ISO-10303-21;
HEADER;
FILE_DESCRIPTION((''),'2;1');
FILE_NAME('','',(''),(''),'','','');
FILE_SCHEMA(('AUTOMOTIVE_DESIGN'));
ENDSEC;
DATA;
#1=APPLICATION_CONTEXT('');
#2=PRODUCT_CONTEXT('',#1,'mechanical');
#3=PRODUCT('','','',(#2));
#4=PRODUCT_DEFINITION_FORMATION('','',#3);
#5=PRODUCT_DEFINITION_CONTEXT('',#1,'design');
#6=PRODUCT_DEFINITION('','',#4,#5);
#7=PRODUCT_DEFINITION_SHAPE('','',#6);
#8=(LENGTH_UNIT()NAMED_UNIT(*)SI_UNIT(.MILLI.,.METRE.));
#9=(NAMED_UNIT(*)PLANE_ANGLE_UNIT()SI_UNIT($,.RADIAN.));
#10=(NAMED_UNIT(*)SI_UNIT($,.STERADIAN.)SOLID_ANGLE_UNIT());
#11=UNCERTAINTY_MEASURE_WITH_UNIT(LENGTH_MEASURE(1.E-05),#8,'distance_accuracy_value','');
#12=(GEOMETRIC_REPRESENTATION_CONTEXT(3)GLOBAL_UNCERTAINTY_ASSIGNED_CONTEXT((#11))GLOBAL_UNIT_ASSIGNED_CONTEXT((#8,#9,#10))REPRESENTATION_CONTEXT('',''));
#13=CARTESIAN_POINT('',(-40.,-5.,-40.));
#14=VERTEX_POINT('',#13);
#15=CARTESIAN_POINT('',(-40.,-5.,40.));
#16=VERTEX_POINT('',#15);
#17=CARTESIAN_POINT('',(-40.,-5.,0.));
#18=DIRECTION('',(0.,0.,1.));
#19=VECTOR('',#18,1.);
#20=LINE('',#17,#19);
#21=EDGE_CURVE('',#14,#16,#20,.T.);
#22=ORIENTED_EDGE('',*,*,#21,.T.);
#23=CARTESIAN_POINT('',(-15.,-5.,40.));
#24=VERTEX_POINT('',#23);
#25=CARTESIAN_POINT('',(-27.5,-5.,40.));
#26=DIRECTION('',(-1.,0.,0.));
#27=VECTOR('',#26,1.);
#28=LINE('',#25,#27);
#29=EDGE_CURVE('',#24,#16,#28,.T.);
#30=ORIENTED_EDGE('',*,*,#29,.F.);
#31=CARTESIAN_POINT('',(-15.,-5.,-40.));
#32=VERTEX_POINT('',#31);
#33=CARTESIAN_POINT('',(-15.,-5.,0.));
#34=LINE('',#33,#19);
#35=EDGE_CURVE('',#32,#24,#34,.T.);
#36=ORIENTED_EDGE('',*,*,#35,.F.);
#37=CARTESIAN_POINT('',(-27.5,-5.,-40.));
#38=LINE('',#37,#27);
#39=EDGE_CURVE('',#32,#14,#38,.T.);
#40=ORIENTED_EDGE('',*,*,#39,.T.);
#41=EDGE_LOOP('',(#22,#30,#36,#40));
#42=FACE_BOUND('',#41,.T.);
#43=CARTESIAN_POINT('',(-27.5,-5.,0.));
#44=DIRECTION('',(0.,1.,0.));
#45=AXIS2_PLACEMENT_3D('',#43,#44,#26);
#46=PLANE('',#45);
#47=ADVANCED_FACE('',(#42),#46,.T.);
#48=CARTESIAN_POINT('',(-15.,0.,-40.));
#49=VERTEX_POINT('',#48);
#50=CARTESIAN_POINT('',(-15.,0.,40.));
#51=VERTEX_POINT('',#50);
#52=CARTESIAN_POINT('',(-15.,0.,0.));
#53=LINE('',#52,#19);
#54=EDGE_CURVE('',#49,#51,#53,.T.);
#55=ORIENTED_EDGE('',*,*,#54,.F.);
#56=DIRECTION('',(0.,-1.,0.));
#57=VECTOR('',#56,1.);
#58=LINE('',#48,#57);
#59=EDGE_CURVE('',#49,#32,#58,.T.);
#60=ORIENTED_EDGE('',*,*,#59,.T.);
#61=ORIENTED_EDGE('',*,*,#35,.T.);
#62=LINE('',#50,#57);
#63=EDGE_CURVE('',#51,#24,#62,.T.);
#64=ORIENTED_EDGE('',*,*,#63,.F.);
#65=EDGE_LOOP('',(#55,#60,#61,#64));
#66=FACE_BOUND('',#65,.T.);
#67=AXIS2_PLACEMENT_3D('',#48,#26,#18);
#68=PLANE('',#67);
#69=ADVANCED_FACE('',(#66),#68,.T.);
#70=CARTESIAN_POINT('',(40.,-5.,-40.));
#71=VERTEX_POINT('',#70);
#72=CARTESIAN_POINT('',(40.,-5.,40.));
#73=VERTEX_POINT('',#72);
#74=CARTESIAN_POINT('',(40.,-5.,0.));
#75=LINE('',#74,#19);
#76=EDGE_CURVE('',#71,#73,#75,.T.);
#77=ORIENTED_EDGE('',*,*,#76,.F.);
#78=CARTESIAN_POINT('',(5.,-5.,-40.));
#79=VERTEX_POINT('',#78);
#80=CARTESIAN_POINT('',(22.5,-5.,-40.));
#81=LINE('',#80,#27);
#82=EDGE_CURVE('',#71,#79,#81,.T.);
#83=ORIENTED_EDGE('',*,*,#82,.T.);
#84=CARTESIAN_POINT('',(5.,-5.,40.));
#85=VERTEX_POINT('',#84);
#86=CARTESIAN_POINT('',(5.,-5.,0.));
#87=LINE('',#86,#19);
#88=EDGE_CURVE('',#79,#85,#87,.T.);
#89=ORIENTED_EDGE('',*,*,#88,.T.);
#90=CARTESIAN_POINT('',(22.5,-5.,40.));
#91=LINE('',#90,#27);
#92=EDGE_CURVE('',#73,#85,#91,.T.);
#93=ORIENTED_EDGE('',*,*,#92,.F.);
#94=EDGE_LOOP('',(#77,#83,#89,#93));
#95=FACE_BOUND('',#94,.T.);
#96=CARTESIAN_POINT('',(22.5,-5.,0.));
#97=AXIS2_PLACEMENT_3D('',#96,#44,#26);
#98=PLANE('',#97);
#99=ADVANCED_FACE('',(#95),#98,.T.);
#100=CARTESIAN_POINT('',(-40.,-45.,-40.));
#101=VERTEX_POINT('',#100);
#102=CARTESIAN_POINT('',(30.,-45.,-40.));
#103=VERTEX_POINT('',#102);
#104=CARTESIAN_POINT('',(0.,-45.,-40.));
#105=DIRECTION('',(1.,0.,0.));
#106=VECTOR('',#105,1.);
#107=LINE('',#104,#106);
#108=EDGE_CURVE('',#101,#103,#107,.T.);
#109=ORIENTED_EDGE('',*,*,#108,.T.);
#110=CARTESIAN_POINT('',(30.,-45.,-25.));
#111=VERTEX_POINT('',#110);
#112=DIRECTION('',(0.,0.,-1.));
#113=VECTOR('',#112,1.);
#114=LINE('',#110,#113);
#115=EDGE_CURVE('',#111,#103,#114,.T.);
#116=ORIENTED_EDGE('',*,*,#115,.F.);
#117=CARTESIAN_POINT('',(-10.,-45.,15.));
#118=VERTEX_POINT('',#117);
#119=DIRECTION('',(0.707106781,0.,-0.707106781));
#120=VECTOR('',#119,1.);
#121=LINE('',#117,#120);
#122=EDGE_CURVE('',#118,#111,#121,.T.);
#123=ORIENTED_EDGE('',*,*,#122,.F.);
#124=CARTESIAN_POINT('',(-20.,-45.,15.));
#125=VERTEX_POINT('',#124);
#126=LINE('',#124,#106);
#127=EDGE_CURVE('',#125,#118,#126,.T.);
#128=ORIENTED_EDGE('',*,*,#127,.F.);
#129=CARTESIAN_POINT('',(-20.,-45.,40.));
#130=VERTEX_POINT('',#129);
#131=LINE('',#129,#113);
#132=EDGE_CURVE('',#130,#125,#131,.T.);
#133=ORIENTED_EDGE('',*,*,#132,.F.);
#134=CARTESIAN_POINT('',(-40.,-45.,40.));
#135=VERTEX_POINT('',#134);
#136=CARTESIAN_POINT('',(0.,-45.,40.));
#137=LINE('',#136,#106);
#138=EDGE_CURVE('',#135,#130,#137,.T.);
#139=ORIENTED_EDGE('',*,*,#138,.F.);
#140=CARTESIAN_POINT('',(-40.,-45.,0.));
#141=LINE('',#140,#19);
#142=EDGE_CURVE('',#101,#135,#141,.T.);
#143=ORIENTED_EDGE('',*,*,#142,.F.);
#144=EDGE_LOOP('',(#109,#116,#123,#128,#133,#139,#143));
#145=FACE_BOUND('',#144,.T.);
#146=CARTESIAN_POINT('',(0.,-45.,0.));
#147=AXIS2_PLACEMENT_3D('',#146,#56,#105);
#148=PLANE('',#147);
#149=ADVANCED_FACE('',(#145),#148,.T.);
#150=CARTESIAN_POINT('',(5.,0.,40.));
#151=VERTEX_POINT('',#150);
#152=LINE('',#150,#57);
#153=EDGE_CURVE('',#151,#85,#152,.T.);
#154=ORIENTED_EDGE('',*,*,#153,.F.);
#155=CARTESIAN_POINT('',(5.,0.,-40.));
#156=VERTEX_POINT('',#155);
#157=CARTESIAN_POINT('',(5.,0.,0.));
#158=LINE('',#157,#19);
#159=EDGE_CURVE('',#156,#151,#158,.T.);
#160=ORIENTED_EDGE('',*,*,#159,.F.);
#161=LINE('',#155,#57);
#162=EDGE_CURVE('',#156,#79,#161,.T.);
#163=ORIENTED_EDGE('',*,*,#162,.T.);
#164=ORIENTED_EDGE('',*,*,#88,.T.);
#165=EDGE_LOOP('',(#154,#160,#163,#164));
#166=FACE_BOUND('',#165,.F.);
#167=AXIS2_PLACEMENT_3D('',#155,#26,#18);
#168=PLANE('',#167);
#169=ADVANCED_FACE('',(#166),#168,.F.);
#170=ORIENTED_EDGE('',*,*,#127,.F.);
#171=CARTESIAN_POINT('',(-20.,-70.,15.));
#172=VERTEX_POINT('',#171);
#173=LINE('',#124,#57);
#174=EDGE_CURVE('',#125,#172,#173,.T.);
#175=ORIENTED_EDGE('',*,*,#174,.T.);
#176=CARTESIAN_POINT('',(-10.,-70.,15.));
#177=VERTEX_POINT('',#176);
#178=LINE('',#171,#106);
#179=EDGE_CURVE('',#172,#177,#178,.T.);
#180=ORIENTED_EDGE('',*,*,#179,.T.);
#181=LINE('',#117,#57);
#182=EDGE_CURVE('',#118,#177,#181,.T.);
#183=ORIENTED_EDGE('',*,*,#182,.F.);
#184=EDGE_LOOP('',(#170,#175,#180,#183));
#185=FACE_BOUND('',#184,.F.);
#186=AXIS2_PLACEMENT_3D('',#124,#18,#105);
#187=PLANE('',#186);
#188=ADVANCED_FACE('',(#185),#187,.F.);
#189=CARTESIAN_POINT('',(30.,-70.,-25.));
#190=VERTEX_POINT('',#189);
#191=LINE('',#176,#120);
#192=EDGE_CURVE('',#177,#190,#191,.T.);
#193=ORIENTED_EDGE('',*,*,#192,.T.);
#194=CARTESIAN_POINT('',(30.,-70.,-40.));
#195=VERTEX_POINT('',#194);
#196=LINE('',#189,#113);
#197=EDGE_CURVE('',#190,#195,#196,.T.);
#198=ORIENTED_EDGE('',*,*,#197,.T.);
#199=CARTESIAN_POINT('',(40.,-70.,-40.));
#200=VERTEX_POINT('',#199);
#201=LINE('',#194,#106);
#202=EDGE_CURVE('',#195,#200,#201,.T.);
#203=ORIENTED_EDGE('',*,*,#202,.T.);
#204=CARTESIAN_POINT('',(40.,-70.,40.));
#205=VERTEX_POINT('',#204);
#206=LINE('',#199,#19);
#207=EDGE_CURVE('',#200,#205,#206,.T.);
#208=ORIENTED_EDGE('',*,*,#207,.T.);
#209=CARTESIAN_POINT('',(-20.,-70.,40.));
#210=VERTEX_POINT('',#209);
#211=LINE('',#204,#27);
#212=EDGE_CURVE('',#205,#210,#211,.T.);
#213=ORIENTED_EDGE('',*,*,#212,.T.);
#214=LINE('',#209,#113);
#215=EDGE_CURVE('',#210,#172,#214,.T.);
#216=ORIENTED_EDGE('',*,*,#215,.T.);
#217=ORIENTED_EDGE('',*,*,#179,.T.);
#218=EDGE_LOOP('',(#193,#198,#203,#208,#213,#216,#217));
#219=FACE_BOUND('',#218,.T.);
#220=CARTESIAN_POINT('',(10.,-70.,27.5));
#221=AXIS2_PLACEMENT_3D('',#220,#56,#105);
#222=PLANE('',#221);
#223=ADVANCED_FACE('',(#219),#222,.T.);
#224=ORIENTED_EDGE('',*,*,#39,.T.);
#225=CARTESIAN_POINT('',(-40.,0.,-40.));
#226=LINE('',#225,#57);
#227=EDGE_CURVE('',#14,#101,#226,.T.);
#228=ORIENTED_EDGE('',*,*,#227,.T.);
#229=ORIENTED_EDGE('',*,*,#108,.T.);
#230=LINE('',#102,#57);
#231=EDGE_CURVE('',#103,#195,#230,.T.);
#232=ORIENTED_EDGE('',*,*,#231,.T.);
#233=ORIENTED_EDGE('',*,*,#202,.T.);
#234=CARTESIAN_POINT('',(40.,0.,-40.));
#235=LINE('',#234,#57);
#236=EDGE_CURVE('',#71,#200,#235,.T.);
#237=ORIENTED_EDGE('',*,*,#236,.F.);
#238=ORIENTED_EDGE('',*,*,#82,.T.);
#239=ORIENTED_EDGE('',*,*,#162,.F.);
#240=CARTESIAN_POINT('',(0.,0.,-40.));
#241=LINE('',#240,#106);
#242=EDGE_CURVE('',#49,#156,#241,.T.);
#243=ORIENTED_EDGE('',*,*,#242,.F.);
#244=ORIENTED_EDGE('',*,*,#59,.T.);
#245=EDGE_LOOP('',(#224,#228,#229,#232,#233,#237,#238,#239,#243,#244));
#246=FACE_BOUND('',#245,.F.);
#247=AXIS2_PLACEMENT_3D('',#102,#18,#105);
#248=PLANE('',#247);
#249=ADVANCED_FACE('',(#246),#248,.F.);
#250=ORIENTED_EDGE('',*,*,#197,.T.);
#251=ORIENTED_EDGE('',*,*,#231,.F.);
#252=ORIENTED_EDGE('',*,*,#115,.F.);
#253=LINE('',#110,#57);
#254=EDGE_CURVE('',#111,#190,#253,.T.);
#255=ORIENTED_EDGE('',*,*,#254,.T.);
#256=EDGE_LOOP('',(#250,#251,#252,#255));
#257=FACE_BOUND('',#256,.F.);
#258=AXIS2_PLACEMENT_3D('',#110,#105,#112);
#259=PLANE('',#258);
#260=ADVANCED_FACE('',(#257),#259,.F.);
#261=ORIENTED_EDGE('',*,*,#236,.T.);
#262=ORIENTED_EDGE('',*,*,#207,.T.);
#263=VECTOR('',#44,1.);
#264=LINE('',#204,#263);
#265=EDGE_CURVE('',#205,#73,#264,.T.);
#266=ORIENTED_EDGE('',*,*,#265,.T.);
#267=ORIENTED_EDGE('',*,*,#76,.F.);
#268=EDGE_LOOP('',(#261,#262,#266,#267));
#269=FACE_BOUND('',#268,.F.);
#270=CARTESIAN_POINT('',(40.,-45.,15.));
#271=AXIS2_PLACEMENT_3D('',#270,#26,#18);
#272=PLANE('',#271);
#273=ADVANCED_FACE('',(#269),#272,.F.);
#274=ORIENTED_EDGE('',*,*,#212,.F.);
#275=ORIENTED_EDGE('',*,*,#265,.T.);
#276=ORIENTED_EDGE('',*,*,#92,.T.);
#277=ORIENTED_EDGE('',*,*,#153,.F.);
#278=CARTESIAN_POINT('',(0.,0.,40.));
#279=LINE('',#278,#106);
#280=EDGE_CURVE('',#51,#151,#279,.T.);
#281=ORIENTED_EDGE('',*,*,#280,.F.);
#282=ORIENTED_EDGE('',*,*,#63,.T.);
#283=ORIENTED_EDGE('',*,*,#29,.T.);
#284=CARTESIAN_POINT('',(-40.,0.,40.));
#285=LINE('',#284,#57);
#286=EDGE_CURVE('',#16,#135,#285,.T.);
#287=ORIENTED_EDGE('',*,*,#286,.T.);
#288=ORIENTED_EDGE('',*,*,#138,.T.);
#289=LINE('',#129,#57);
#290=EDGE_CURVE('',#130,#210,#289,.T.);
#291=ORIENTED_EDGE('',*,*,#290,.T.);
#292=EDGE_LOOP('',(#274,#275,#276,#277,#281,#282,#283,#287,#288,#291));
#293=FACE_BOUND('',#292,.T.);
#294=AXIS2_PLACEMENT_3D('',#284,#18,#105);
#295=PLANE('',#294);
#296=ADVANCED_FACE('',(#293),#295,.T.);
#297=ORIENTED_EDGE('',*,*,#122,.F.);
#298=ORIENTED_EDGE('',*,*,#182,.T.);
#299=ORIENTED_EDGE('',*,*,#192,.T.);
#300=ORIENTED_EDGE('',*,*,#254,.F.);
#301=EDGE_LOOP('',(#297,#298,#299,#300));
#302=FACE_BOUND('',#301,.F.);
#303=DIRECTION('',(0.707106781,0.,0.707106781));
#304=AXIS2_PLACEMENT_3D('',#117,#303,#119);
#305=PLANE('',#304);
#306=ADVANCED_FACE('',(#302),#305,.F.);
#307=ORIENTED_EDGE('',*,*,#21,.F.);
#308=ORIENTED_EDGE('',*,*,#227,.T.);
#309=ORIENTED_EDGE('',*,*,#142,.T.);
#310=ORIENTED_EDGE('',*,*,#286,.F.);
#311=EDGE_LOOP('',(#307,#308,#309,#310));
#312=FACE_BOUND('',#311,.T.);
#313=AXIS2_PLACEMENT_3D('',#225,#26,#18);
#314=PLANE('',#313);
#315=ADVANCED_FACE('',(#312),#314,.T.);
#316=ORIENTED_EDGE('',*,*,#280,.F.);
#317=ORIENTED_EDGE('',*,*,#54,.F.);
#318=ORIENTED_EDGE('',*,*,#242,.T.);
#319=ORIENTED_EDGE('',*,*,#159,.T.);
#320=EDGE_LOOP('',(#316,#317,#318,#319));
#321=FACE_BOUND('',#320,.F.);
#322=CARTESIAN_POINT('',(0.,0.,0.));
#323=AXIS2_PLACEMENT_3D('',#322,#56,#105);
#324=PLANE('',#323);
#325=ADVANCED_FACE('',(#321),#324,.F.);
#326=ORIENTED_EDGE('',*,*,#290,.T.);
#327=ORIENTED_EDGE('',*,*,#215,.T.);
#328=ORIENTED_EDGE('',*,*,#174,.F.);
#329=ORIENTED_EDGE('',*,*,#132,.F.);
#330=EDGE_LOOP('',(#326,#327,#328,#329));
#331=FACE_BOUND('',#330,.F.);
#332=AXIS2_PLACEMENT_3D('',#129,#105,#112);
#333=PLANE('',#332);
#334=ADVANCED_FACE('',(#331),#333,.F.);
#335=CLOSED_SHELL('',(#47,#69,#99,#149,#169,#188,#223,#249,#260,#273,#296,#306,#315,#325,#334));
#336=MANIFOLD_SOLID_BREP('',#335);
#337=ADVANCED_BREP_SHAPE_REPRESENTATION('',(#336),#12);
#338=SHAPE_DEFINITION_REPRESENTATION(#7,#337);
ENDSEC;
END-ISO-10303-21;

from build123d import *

# Parameters (mm, degrees)
F0_W     = 80
F0_H     = 80
F1_DEPTH = 45
F3_DEPTH = 25
F4_DEPTH = 25
F5_W     = 35
F5_H     = 80
F5_W_2   = 25
F6_DEPTH = 5


with BuildPart() as f1:
    # F0 (on Front) → F1 (new body)
    with BuildSketch(Plane.XZ):
        Rectangle(F0_W, F0_H)
    extrude(amount=F1_DEPTH)

    # F2 (on face) → F3 (join)
    with BuildSketch(Plane.XZ.offset(45)):
        Polygon((30, -25), (30, -40), (40, -40), (40, 15), (-10, 15), align=None)
    extrude(amount=F3_DEPTH)

    # F2 (on face) → F4 (join)
    with BuildSketch(Plane.XZ.offset(45)):
        Polygon((-20, 15), (-10, 15), (40, 15), (40, 40), (-20, 40), align=None)
    extrude(amount=F4_DEPTH)

    # F5 (on face) → F6 (cut)
    with BuildSketch(Plane(origin=(0, 0, 0), x_dir=(-1, 0, 0), z_dir=(0, 1, 0))):
        with Locations((-22.5, 0)):
            Rectangle(F5_W, F5_H)
        with Locations((27.5, 0)):
            Rectangle(F5_W_2, F5_H)
    extrude(amount=-F6_DEPTH, mode=Mode.SUBTRACT)


solid = f1.part
